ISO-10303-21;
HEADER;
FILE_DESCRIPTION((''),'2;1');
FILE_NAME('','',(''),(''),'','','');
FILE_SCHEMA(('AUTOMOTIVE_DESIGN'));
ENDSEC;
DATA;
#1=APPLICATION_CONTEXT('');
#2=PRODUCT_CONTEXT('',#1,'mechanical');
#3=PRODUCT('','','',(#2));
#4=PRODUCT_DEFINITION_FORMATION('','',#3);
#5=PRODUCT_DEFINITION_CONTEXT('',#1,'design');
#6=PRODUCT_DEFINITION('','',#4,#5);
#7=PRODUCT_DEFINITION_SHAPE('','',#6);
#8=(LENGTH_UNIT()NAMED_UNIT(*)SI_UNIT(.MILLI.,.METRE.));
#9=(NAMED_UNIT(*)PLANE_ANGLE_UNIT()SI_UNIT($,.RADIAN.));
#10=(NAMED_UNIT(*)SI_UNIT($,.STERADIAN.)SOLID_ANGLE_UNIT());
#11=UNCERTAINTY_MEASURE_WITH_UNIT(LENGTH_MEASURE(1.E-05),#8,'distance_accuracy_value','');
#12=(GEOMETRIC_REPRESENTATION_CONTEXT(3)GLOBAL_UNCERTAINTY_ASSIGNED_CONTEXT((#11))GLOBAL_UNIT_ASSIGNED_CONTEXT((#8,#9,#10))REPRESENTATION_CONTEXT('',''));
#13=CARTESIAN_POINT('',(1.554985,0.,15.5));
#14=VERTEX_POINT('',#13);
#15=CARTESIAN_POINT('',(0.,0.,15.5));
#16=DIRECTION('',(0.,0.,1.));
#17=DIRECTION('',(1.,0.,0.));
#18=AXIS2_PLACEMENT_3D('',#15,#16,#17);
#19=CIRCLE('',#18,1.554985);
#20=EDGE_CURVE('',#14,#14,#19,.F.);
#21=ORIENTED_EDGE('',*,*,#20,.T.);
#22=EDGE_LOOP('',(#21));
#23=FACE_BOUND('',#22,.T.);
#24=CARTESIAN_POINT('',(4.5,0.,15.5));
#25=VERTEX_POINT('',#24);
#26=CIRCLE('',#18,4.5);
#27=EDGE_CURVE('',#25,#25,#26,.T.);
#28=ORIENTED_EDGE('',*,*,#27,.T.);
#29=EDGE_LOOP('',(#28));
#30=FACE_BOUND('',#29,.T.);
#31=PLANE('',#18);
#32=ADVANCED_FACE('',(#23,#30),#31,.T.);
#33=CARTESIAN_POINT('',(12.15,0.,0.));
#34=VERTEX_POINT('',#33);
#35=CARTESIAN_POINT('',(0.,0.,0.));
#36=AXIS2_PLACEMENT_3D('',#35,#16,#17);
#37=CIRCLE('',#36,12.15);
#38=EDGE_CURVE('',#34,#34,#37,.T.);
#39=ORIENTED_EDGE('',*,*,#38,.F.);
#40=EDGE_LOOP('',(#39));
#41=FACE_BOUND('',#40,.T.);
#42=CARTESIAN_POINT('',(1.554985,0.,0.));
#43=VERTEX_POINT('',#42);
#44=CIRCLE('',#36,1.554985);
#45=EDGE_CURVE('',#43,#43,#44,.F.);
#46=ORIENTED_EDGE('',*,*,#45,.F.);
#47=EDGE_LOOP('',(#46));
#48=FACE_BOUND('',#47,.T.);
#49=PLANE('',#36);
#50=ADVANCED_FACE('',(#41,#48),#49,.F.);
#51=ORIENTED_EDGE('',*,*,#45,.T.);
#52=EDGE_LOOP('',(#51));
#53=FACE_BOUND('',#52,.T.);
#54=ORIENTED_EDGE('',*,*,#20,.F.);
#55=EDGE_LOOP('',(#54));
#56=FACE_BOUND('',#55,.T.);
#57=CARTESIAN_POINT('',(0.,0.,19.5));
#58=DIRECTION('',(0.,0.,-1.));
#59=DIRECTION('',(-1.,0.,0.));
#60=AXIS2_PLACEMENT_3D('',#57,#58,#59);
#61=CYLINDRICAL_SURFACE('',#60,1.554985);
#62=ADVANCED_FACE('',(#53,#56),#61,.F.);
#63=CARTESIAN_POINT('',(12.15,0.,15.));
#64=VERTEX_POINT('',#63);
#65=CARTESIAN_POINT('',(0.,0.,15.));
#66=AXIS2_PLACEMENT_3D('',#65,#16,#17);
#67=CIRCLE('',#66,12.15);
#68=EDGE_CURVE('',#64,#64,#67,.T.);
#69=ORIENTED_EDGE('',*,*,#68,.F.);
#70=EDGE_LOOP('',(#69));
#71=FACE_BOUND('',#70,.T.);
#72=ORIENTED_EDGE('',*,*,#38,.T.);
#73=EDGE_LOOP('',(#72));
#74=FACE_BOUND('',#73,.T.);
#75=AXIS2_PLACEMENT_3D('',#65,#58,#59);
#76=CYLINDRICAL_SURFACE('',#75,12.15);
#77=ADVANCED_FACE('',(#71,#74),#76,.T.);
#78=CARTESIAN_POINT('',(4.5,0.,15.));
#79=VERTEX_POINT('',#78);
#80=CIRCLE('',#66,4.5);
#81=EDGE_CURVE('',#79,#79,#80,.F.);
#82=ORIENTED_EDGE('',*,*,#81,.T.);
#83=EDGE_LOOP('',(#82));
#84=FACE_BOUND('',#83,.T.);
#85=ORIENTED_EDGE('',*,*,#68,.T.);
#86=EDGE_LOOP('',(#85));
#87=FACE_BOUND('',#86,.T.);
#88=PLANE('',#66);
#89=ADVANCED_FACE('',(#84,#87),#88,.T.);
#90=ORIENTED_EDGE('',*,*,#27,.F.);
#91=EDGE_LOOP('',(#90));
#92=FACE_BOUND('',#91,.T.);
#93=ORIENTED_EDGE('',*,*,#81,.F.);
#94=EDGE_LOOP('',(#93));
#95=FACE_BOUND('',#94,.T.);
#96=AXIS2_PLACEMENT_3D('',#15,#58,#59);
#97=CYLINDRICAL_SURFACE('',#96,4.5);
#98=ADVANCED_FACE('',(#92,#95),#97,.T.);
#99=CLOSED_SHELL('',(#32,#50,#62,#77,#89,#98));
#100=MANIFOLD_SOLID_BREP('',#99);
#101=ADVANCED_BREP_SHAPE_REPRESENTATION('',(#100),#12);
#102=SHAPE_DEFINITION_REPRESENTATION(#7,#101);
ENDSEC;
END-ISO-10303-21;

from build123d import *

# Parameters (mm, degrees)
ESBO_O1_R                  = 12.15
RESSALTO_EXTRUS_O1_DEPTH   = 15
ESBO_O2_R                  = 4.5
RESSALTO_EXTRUS_O2_DEPTH   = 15.5
ESBO_O3_R                  = 1.554984666
CORTE_EXTRUS_O1_DEPTH      = 19.5
CORTE_EXTRUS_O1_DEPTH_BACK = 15.5


with BuildPart() as part:
    # Esboço1 → Ressalto-extrusão1 (new body)
    with BuildSketch(Plane.XY):
        Circle(ESBO_O1_R)
    extrude(amount=RESSALTO_EXTRUS_O1_DEPTH)

    # Esboço2 → Ressalto-extrusão2 (add)
    with BuildSketch(Plane.XY):
        Circle(ESBO_O2_R)
    extrude(amount=RESSALTO_EXTRUS_O2_DEPTH)

    # Esboço3 → Corte-extrusão1 (cut, two sides)
    with BuildSketch(Plane.XY) as corte_extrus_o1_sk:
        Circle(ESBO_O3_R)
    extrude(amount=CORTE_EXTRUS_O1_DEPTH, mode=Mode.SUBTRACT)
    extrude(corte_extrus_o1_sk.sketch, amount=-CORTE_EXTRUS_O1_DEPTH_BACK, mode=Mode.SUBTRACT)


solid = part.part
